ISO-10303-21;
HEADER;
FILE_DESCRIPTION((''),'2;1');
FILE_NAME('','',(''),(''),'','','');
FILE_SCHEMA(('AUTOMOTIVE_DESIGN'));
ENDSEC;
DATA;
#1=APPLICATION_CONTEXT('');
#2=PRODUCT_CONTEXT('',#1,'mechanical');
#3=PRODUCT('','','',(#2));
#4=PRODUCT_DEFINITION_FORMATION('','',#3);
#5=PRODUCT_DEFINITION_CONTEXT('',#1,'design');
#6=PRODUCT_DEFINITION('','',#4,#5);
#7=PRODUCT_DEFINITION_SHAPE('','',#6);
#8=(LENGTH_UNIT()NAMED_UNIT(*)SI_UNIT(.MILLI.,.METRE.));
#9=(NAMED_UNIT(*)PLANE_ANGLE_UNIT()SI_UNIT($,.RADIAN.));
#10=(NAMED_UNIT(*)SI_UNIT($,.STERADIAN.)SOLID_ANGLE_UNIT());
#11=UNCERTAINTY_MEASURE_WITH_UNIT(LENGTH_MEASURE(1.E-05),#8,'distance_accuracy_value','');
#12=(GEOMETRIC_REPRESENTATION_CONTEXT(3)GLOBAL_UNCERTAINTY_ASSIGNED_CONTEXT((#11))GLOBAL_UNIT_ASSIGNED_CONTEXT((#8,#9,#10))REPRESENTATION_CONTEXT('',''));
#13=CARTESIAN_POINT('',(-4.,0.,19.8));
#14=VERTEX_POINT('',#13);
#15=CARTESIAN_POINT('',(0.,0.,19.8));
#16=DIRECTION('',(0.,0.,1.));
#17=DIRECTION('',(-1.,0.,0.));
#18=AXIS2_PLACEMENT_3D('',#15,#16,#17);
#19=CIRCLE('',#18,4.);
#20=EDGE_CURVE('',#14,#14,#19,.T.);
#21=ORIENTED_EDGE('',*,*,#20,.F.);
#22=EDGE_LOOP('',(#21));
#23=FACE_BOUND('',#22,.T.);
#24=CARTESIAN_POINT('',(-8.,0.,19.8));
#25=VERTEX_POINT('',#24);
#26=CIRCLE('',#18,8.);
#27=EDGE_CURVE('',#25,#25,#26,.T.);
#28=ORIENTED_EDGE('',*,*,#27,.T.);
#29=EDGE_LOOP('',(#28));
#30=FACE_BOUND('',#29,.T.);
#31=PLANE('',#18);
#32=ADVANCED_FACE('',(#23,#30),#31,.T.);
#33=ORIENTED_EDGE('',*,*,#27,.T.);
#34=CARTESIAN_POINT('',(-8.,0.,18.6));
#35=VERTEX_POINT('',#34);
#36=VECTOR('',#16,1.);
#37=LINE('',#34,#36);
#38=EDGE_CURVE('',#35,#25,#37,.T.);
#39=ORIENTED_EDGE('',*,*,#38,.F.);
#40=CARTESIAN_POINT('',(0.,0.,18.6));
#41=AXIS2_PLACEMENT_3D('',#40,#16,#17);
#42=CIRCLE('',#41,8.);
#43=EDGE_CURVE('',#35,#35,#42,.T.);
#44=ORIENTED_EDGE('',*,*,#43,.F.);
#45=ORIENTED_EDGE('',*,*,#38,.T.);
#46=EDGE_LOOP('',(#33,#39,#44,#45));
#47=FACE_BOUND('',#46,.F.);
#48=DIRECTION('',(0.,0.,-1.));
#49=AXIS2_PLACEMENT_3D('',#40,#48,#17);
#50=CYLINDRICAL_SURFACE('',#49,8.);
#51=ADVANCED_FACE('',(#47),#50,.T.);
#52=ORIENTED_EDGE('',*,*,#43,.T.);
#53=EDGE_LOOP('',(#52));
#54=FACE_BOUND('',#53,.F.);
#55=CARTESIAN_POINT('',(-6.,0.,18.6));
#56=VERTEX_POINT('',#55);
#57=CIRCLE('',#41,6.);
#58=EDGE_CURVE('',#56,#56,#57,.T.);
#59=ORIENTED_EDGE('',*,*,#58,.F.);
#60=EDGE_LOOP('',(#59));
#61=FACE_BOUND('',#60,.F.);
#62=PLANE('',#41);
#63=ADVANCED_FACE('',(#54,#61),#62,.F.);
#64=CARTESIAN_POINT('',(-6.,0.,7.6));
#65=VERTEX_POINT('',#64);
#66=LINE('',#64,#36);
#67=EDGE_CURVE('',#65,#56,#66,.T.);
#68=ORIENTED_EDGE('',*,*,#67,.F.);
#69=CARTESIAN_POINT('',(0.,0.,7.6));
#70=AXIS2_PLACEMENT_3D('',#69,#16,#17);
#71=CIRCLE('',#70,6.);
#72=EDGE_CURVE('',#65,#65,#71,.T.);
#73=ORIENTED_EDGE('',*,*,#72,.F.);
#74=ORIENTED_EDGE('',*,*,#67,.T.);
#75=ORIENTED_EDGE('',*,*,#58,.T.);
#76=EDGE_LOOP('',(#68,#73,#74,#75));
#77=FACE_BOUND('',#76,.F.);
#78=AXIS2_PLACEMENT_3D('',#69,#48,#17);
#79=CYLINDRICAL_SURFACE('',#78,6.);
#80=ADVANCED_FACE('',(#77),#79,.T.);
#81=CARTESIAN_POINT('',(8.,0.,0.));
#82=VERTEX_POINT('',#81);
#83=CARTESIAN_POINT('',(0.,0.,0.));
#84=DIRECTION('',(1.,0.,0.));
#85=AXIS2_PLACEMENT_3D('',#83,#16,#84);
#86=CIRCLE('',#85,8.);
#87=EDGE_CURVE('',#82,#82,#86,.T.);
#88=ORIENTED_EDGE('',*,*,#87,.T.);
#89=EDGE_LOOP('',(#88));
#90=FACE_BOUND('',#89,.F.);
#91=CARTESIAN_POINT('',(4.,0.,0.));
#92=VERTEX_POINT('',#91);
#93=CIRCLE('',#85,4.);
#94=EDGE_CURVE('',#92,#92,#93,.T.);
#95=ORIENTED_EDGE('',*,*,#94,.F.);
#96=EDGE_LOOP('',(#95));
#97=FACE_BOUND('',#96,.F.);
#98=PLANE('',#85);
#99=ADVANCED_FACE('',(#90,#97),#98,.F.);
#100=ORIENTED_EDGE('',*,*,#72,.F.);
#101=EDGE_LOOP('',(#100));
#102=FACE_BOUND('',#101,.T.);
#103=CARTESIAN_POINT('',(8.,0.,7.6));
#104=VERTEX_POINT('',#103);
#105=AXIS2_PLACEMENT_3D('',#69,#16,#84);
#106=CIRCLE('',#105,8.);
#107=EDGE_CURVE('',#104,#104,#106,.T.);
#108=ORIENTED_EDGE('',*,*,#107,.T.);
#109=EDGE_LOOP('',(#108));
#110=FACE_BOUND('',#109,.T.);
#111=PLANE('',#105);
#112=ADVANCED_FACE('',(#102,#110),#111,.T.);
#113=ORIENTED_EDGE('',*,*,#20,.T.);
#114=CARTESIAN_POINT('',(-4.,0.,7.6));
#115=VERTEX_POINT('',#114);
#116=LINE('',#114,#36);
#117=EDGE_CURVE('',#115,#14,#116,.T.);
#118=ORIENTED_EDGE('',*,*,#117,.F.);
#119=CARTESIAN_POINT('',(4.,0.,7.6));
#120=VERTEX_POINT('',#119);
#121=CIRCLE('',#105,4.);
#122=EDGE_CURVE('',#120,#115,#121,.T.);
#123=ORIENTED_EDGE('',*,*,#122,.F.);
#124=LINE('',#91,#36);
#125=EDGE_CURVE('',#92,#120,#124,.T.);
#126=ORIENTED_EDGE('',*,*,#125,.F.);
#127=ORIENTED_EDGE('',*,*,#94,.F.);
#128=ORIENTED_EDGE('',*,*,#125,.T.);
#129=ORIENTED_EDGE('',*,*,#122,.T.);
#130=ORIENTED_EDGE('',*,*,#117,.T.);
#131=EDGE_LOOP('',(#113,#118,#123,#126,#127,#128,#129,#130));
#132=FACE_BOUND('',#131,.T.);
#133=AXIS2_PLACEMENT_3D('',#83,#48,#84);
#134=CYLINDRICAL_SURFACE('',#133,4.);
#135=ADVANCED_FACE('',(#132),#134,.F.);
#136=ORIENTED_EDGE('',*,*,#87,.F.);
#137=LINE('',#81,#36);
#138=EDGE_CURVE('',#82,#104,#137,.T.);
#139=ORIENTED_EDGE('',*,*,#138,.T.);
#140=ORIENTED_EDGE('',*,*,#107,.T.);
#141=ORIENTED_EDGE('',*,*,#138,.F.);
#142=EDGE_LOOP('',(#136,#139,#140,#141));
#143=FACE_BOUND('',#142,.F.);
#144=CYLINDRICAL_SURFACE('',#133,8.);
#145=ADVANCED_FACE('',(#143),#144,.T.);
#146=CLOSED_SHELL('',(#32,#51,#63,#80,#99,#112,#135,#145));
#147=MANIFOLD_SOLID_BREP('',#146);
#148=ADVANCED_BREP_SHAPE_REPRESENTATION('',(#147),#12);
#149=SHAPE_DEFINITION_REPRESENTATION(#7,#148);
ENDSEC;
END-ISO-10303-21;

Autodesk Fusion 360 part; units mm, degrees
sketch "Sketch1" plane through (0, 0, 0) normal (0, 0, 1) x (1, 0, 0)
  circle A0 centre (0, 0) radius 8
  circle A1 centre (0, 0) radius 4
  dimension "d1" = 16
  dimension "d2" = 8
extrude "Extrude1" add sketch "Sketch1" along normal blind 7.6
sketch "Sketch2" plane through (0, 0, 7.6) normal (0, 0, 1) x (-1, 0, 0)
  circle A0 centre (0, 0) radius 4
  circle A1 centre (0, 0) radius 8
  circle A2 centre (0, 0) radius 6
  dimension "d5" = 12
extrude "Extrude2" add sketch "Sketch2" along normal blind 11 contours A2
sketch "Sketch3" plane through (0, 0, 18.6) normal (0, 0, 1) x (-1, 0, 0)
  circle A0 centre (0, 0) radius 4
  circle A1 centre (0, 0) radius 6
  circle A2 centre (0, 0) radius 8
  dimension "d8" = 16
extrude "Extrude3" add sketch "Sketch3" along normal blind 1.2 contours A1 | A2
